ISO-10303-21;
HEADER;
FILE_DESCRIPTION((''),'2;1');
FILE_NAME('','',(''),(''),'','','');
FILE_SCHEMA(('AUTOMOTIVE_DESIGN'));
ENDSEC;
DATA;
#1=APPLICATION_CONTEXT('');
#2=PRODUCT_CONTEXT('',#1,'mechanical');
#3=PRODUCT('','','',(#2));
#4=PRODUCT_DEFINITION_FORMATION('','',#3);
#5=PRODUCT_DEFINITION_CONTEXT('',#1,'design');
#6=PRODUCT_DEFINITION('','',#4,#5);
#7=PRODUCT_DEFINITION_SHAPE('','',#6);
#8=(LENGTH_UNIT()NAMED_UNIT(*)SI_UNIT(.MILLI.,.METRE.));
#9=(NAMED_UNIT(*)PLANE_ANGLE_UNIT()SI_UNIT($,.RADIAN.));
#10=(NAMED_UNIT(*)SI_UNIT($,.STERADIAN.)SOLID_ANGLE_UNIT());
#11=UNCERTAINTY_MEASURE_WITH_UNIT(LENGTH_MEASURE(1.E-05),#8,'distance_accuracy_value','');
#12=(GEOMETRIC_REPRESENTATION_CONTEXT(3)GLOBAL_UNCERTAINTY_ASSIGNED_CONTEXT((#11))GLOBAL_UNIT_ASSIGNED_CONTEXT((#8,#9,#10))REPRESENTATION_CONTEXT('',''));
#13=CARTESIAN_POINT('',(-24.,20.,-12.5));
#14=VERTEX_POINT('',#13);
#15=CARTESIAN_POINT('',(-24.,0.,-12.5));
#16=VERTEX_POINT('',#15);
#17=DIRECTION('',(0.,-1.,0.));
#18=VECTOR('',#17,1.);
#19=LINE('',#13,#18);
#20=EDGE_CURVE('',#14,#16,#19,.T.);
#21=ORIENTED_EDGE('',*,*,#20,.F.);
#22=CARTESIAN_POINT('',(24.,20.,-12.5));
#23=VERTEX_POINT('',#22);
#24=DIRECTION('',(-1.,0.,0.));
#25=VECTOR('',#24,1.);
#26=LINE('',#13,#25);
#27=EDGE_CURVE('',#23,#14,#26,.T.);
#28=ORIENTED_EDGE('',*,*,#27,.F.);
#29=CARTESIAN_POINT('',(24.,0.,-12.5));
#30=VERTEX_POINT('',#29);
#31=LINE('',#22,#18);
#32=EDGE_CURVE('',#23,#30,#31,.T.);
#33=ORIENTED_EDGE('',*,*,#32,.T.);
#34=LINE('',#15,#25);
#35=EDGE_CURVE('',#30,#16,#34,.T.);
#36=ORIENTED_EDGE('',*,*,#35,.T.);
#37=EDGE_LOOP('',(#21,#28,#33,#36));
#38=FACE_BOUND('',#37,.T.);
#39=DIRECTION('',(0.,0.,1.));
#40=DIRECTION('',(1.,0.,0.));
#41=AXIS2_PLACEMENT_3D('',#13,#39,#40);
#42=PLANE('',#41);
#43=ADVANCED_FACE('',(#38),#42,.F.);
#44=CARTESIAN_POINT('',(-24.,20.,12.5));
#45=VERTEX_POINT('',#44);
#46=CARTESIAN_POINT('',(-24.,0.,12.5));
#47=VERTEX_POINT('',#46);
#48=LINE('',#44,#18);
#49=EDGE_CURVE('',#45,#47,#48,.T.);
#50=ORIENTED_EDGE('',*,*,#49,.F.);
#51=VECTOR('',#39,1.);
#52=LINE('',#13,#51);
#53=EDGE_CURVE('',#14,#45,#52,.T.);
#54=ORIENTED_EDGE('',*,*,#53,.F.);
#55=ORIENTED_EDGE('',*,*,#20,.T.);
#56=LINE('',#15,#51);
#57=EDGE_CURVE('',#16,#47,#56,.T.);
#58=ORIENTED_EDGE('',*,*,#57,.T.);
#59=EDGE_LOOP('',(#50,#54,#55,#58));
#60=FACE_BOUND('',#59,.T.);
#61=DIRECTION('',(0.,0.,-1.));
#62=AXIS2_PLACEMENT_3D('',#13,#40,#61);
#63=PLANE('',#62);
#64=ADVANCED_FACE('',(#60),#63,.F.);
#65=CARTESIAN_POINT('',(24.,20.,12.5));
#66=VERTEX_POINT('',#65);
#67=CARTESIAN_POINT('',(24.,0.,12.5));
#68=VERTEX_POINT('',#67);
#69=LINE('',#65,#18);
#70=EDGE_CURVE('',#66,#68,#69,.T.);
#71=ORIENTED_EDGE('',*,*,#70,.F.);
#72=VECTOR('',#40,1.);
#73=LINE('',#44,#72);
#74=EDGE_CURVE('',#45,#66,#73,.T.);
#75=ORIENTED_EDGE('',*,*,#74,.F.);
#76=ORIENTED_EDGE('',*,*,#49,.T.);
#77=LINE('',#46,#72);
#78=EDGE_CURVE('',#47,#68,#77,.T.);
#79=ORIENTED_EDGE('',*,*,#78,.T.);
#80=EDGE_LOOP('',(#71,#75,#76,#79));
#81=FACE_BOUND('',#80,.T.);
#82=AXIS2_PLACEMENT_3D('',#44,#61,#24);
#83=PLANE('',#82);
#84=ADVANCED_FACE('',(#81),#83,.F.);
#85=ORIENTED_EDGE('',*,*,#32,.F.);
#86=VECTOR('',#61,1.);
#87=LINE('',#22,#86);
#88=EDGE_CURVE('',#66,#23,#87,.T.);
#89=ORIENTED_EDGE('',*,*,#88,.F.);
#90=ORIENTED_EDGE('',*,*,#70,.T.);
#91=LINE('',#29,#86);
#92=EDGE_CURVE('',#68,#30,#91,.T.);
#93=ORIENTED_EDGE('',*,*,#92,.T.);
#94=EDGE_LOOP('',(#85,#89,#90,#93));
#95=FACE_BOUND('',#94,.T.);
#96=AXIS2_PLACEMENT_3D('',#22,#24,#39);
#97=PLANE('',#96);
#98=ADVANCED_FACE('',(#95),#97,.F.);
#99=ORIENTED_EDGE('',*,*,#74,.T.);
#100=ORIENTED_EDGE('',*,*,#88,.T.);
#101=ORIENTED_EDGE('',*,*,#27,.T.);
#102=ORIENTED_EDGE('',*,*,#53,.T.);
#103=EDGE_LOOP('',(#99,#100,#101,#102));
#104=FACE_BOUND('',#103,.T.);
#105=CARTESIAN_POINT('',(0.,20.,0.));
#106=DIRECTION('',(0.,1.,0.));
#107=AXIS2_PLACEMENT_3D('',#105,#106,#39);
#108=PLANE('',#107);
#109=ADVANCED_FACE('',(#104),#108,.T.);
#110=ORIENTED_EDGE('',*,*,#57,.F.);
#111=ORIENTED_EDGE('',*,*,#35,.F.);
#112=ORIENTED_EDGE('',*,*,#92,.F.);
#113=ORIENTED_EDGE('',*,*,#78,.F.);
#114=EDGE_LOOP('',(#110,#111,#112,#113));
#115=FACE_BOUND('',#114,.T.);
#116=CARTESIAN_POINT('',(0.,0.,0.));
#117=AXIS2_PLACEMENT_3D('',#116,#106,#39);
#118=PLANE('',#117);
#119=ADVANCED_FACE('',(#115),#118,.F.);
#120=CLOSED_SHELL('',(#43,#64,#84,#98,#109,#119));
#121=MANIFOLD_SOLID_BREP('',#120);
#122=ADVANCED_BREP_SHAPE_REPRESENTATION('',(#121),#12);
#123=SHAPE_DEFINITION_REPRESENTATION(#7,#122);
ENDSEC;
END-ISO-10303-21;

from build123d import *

# Parameters (mm, degrees)
SKETCH_2_W      = 48
SKETCH_2_H      = 25
EXTRUDE_1_DEPTH = 20


with BuildPart() as part:
    # 草图2 → 凸台-拉伸1 (new body)
    with BuildSketch(Plane(origin=(0, 0, 0), x_dir=(1, 0, 0), z_dir=(0, 1, 0))):
        Rectangle(SKETCH_2_W, SKETCH_2_H)
    extrude(amount=EXTRUDE_1_DEPTH)


solid = part.part
